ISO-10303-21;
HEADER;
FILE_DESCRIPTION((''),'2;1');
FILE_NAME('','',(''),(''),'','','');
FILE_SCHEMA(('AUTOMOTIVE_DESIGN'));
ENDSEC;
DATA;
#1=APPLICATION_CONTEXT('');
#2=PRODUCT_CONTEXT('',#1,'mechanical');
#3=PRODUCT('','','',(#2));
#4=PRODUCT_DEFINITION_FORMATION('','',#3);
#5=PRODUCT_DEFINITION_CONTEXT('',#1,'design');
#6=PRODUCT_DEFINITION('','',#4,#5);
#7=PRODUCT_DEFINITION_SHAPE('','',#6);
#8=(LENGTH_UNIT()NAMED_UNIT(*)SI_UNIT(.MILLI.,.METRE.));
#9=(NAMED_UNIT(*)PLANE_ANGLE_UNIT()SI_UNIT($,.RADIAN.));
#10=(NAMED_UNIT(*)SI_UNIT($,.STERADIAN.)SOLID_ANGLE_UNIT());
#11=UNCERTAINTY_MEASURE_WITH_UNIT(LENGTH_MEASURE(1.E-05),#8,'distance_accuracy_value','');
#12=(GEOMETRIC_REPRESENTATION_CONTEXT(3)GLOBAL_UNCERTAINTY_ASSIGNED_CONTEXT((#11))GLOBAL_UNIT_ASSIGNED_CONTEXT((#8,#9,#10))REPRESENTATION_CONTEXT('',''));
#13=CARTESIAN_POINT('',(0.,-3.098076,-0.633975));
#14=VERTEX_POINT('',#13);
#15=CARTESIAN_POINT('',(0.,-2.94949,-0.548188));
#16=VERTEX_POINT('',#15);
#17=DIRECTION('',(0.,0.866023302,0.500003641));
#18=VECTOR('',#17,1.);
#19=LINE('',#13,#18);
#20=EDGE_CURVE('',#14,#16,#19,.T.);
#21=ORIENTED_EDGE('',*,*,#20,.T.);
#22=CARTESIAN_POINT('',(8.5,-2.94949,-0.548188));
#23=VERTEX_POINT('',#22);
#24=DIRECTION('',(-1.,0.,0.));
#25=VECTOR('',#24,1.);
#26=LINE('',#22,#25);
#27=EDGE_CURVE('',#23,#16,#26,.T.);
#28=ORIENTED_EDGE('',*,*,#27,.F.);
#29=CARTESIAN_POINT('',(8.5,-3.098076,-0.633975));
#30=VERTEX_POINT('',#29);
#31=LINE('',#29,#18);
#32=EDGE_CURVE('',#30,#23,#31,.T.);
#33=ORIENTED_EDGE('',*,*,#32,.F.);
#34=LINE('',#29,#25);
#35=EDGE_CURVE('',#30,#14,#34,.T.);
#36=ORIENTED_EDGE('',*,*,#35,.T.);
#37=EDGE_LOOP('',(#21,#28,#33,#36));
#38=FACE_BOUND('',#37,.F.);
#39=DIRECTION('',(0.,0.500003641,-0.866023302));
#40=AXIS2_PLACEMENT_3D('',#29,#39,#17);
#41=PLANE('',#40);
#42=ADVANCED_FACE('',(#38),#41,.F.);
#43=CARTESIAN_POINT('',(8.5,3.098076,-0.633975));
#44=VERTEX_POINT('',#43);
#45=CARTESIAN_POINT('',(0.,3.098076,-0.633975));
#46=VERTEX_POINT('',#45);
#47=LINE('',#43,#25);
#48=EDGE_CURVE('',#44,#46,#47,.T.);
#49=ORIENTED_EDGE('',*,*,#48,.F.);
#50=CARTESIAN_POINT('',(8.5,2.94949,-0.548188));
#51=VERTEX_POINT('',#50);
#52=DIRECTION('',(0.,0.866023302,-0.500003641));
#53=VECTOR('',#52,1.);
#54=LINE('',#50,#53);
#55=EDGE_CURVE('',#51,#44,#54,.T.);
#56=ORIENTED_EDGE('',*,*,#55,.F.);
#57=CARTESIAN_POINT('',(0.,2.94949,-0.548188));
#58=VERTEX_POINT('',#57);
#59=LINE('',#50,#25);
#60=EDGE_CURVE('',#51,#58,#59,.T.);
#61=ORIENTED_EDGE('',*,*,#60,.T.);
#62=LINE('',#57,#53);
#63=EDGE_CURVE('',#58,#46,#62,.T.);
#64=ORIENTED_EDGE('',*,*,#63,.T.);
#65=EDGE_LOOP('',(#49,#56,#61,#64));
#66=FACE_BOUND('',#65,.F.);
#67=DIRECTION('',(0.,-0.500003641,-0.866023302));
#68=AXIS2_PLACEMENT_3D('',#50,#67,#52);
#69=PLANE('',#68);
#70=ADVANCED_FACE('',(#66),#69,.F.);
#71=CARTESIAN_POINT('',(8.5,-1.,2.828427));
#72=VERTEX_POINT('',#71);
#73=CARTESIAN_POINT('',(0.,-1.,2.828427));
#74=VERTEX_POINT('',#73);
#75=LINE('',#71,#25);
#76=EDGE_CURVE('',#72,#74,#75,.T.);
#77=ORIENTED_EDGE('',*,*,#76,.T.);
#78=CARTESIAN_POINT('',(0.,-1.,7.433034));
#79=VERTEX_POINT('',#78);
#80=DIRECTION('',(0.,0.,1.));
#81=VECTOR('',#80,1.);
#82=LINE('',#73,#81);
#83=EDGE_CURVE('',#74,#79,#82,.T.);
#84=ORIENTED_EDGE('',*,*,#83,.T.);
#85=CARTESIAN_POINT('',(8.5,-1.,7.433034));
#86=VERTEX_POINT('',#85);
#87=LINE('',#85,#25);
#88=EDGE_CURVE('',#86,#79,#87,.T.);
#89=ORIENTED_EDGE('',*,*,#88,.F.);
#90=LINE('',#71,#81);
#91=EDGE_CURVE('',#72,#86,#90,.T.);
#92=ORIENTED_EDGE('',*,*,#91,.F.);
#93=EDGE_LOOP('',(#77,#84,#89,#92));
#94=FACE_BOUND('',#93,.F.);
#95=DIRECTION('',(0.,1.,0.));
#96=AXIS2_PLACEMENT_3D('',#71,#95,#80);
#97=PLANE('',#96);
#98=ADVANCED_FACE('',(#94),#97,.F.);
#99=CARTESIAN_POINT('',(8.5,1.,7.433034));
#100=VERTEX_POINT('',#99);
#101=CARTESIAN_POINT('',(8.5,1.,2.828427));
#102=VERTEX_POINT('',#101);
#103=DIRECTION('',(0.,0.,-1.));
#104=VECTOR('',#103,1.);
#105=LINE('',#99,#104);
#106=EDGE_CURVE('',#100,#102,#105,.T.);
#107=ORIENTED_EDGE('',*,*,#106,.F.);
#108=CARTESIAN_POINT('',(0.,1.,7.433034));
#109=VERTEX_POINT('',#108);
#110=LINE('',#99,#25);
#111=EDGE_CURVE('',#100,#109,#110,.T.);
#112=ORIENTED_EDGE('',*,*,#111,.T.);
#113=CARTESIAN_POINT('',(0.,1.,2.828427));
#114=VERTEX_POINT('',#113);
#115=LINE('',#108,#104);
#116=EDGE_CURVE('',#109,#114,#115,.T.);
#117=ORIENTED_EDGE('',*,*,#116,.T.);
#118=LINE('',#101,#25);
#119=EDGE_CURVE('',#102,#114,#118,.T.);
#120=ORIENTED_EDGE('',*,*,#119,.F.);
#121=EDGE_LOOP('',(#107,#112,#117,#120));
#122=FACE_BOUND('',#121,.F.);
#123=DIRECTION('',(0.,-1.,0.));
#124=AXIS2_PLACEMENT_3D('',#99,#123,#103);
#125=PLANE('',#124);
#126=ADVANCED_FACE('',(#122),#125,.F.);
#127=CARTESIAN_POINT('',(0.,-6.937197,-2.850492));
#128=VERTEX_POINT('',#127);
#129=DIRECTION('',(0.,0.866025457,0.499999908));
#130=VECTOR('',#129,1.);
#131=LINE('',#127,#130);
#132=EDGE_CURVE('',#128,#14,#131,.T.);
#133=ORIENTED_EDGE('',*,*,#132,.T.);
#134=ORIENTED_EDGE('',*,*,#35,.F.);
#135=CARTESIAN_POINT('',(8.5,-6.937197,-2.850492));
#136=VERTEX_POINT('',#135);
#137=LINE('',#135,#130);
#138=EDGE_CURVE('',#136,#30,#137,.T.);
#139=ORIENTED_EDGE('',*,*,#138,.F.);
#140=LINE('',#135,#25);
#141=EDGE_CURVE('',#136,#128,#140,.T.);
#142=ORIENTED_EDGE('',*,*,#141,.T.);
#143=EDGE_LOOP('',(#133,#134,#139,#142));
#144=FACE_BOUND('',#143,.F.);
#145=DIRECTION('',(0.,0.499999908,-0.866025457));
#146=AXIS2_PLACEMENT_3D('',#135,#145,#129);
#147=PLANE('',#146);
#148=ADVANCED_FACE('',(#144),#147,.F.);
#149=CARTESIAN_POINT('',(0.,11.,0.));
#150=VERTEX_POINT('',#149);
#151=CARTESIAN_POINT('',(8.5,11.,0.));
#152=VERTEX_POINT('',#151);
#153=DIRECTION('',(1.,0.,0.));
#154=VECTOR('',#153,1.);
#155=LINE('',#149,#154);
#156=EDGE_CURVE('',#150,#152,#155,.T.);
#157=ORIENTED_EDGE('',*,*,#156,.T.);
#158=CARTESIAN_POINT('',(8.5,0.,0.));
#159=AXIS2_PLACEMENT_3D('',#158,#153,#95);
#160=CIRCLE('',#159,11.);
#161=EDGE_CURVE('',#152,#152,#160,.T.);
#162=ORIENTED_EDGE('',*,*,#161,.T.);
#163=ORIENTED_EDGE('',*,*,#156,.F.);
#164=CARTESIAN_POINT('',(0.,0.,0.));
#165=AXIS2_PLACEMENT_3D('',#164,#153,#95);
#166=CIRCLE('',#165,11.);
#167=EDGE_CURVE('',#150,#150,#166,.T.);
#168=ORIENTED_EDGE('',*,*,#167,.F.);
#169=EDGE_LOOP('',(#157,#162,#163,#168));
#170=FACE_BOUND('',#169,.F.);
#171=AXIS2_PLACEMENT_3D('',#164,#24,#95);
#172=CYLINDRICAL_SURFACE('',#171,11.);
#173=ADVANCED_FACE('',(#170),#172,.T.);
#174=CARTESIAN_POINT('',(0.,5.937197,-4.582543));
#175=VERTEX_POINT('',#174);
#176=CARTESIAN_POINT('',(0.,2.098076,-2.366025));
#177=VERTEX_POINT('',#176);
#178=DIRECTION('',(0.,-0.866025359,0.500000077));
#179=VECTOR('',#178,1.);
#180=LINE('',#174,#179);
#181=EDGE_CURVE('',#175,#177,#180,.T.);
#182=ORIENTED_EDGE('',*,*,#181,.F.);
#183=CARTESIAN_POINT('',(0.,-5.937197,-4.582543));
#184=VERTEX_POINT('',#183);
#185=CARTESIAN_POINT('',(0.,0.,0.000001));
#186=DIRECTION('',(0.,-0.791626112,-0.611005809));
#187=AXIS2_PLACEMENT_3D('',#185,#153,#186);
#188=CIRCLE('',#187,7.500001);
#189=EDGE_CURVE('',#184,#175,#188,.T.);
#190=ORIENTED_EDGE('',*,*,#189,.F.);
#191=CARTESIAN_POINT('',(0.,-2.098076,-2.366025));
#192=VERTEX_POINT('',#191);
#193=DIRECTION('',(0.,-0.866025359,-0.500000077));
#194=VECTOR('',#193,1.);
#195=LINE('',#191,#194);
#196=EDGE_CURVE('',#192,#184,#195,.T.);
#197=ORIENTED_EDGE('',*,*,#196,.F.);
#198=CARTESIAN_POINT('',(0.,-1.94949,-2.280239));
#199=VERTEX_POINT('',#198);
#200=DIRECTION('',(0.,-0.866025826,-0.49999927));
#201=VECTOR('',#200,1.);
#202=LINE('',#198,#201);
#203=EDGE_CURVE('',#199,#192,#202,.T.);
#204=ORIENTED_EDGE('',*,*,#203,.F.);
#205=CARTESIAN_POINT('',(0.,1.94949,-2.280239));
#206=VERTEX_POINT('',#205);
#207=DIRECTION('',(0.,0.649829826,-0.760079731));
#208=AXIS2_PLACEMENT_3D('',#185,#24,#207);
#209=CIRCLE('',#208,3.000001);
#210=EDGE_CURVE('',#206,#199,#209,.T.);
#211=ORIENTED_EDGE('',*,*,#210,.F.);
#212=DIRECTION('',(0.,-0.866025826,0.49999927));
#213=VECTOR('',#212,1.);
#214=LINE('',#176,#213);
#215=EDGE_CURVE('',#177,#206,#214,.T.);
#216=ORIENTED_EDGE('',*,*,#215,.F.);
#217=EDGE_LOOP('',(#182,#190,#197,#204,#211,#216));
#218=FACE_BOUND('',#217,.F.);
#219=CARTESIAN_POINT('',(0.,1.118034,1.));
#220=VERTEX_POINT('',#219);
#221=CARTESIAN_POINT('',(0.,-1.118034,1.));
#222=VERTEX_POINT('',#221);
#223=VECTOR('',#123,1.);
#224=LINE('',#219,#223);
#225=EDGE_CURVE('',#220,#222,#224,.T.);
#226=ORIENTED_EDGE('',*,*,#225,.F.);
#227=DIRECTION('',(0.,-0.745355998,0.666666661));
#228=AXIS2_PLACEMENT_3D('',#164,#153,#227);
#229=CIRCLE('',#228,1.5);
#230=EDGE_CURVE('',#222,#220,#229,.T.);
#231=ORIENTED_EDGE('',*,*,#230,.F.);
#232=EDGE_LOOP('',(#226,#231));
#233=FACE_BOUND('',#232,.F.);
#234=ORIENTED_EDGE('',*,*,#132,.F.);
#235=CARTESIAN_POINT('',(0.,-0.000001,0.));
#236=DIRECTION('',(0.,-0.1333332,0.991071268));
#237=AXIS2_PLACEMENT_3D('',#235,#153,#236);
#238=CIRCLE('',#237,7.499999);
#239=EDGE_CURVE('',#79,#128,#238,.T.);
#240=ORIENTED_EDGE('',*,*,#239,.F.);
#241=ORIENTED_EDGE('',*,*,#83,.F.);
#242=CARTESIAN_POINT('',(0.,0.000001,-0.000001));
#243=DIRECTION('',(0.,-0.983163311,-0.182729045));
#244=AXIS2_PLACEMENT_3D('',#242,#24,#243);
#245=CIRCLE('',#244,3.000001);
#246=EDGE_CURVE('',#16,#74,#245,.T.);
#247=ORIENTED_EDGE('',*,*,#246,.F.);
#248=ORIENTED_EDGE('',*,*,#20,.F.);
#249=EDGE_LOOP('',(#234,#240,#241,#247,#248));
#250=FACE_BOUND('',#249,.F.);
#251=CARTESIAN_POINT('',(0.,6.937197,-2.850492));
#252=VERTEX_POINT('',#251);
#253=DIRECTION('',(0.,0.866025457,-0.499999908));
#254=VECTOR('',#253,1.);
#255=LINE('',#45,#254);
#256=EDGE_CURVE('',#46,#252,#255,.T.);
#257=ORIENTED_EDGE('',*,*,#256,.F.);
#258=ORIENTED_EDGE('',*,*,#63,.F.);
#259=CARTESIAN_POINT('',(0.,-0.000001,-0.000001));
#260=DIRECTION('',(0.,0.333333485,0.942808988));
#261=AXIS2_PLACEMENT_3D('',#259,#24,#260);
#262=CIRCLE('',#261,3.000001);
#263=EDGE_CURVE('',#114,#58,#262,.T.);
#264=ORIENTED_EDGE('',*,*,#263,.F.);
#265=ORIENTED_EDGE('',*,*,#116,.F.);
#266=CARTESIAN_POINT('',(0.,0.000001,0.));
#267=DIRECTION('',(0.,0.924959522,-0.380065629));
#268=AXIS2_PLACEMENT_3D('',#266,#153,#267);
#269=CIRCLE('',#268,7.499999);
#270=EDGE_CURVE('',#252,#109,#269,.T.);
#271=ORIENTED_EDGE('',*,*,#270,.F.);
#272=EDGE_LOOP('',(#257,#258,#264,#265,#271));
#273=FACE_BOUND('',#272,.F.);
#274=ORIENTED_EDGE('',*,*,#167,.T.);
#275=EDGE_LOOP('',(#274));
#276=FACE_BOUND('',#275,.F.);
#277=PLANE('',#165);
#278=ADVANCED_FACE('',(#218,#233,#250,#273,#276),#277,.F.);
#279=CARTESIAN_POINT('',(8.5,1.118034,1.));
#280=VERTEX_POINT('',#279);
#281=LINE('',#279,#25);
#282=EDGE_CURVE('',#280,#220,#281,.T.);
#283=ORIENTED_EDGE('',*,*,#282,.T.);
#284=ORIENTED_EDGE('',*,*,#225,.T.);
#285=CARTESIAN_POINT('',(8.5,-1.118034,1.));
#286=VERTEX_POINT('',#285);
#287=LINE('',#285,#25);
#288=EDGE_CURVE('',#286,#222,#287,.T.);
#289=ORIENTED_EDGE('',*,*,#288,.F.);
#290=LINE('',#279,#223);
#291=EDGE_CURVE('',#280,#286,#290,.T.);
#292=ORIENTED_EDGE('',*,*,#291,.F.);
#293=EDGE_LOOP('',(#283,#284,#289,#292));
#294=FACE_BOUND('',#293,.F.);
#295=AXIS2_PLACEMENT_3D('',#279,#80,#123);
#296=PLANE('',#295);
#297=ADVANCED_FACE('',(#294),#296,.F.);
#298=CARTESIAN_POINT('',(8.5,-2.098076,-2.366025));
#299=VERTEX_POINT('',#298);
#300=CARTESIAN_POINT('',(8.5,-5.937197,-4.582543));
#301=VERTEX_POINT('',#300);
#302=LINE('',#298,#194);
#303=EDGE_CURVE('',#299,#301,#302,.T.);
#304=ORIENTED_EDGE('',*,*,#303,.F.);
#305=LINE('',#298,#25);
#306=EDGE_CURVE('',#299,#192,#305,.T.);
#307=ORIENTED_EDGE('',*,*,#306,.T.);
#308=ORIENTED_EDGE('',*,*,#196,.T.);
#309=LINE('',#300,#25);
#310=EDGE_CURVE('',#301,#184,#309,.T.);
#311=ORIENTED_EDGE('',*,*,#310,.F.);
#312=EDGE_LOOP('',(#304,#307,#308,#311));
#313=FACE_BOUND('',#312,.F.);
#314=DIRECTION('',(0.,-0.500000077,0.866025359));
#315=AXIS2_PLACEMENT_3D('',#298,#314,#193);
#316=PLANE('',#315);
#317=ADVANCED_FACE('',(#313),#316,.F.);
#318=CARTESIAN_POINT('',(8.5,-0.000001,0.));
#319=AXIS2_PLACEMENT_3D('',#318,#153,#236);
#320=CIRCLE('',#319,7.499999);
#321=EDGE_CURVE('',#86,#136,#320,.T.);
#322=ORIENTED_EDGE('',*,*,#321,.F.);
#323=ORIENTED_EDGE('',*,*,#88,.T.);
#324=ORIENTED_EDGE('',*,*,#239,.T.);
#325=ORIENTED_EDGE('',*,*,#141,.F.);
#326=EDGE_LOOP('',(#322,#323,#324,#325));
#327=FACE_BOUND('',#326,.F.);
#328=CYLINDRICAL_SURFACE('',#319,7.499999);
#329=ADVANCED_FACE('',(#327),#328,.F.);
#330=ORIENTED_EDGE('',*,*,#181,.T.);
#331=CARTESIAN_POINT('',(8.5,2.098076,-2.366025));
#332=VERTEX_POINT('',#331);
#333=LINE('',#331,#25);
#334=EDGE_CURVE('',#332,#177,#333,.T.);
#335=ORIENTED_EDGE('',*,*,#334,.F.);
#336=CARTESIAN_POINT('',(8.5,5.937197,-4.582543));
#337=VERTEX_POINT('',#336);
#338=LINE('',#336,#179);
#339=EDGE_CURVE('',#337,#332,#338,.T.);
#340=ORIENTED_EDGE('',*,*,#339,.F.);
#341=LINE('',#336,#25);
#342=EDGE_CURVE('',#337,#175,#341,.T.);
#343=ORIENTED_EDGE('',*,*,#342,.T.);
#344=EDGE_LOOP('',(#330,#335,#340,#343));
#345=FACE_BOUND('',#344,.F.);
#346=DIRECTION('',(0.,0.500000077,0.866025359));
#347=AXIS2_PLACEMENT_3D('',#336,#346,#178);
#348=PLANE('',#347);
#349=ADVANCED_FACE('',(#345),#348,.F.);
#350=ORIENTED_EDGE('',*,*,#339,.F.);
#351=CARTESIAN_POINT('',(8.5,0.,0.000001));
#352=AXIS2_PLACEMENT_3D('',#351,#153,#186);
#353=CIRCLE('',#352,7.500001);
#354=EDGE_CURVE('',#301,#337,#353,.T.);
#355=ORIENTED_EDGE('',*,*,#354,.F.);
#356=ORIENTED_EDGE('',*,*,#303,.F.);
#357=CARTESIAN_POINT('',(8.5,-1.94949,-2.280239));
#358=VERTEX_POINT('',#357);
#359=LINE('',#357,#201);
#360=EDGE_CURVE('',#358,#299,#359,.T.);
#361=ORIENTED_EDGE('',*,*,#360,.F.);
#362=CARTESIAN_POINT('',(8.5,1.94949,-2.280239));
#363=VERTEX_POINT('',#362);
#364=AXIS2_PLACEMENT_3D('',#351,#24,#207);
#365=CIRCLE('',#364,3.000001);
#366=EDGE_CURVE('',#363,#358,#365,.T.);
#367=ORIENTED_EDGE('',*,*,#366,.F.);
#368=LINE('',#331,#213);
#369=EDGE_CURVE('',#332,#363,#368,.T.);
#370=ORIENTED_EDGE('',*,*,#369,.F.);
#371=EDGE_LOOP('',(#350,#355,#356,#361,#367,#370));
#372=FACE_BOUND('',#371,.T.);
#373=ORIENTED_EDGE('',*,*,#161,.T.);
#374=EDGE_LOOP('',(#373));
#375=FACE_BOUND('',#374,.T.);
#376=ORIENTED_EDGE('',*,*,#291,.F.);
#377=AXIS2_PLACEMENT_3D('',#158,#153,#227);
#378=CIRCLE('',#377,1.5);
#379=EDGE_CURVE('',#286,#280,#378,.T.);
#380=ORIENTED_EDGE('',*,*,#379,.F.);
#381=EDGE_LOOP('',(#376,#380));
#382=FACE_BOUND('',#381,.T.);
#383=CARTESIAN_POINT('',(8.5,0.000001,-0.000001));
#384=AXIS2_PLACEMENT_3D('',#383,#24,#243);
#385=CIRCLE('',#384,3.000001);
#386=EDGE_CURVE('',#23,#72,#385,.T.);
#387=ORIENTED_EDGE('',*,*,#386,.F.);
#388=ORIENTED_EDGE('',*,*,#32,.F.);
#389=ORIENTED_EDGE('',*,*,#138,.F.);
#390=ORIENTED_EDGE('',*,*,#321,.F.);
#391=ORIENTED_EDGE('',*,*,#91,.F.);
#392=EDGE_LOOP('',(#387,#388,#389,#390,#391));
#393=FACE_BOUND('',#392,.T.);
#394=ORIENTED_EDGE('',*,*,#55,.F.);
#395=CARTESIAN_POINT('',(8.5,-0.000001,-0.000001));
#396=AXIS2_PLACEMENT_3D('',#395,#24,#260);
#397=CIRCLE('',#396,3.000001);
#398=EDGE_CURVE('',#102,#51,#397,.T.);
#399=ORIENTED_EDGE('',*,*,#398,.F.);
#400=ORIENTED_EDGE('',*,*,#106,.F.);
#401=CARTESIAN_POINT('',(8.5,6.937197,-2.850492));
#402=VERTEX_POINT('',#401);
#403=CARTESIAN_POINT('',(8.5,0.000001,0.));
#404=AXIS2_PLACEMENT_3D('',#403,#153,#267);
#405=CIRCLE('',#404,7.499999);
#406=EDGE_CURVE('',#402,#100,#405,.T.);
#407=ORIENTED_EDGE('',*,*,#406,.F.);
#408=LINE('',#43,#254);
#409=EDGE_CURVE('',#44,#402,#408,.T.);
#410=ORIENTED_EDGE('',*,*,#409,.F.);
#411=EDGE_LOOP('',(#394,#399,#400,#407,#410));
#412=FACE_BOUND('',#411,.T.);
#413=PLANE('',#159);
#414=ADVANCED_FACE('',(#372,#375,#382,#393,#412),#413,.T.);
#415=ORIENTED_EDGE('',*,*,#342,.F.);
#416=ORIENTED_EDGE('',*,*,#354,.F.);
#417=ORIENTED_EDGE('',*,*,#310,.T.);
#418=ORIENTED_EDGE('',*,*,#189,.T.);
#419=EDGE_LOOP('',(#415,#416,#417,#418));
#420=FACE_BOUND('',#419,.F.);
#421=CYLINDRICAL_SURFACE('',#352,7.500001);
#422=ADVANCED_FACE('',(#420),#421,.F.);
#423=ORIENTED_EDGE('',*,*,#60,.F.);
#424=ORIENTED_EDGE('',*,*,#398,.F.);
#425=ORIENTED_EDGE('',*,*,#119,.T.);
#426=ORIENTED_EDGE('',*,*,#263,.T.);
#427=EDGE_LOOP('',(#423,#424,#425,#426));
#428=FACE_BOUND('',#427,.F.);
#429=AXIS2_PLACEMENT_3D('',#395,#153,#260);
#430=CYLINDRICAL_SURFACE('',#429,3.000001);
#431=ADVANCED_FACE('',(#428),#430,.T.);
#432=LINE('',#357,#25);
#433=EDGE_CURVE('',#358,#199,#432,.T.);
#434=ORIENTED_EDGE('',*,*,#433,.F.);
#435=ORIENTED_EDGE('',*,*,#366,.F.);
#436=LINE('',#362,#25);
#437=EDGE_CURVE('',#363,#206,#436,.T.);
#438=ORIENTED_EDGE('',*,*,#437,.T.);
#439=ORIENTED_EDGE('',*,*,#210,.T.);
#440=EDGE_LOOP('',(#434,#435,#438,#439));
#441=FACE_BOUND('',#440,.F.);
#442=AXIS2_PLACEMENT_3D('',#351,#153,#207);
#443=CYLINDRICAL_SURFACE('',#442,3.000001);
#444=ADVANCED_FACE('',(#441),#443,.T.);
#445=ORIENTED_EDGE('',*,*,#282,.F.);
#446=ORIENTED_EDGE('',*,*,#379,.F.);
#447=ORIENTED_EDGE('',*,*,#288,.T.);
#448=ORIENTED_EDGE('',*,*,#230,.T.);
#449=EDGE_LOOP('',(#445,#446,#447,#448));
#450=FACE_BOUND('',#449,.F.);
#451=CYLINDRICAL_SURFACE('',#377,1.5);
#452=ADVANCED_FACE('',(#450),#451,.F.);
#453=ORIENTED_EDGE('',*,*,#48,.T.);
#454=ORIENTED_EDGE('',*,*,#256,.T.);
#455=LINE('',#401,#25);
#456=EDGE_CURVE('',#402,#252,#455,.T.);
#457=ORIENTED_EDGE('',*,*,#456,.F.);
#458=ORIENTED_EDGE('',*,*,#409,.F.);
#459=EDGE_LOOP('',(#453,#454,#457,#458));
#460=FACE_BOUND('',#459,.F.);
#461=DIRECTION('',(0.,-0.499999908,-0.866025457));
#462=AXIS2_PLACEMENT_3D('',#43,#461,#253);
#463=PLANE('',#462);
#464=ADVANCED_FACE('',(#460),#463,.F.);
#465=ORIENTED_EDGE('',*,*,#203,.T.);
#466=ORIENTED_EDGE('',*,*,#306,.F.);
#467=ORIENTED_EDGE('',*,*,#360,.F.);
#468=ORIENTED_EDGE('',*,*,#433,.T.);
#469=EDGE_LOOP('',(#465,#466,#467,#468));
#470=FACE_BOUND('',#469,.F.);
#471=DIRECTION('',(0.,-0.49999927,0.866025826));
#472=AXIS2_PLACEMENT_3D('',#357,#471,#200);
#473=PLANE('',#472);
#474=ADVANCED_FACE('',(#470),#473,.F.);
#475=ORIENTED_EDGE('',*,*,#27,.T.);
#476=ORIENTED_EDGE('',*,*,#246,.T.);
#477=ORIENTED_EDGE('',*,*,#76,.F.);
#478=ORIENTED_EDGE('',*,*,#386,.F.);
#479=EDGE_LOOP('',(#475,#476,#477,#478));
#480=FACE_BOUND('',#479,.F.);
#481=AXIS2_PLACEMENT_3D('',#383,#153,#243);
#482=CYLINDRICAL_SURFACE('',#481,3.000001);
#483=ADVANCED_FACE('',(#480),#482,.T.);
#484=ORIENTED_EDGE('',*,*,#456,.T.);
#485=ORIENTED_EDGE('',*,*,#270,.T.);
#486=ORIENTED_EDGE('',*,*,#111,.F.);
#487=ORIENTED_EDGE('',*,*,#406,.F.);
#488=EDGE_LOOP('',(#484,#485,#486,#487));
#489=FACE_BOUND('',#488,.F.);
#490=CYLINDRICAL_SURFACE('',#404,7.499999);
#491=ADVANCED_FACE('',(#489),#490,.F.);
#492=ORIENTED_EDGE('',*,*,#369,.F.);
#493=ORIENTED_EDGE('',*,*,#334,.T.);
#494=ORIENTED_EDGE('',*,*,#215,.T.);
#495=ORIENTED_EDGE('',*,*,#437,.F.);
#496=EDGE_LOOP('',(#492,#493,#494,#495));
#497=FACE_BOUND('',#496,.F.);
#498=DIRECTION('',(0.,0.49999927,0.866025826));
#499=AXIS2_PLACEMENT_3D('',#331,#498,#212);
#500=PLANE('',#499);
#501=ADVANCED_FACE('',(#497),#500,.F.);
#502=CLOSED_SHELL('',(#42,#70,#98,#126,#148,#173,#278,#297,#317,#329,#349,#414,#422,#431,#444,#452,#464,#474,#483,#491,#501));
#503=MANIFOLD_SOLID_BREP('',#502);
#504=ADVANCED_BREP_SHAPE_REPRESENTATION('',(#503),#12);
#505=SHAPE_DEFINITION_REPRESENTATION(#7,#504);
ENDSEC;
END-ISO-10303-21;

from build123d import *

# Parameters (mm, degrees)
F0_R     = 11
F1_DEPTH = 8.5
F3_DEPTH = 8.5
F5_DEPTH = 8.5


with BuildPart() as f1:
    # F0 (on Right) → F1 (new body)
    with BuildSketch(Plane.YZ):
        Circle(F0_R)
    extrude(amount=F1_DEPTH)

    # F2 (on face) → F3 (cut, through all)
    with BuildSketch(Plane.YZ.offset(8.5)):
        with BuildLine():
            Line((-1, 3), (-1, 7.433034))
            ThreePointArc((-1, 7.433034), (-6.495191, 3.75), (-6.937197, -2.850492))
            Line((-6.937197, -2.850492), (-3.098076, -0.633975))
            Line((-3.098076, -0.633975), (-2.94949, -0.548188))
            ThreePointArc((-2.94949, -0.548188), (-2.598076, 1.5), (-1, 2.828427))
            Line((-1, 2.828427), (-1, 3))
        make_face()
        with BuildLine():
            Line((1, 3.171573), (1, 3))
            Line((1, 3), (1, 2.828427))
            ThreePointArc((1, 2.828427), (2.598076, 1.5), (2.94949, -0.548188))
            Line((2.94949, -0.548188), (3.098076, -0.633975))
            Line((3.098076, -0.633975), (6.937197, -2.850492))
            ThreePointArc((6.937197, -2.850492), (6.495191, 3.75), (1, 7.433034))
            Line((1, 7.433034), (1, 3.171573))
        make_face()
        with BuildLine():
            Line((-1.94949, -2.280239), (-2.098076, -2.366025))
            Line((-2.098076, -2.366025), (-5.937197, -4.582543))
            ThreePointArc((-5.937197, -4.582543), (0, -7.5), (5.937197, -4.582543))
            Line((5.937197, -4.582543), (2.098076, -2.366025))
            Line((2.098076, -2.366025), (1.94949, -2.280239))
            ThreePointArc((1.94949, -2.280239), (0, -3), (-1.94949, -2.280239))
        make_face()
    extrude(amount=-F3_DEPTH, mode=Mode.SUBTRACT)

    # F4 (on face) → F5 (cut, through all)
    with BuildSketch(Plane.YZ.offset(8.5)):
        with BuildLine():
            Line((1.118034, 1), (-1.118034, 1))
            ThreePointArc((-1.118034, 1), (0, -1.5), (1.118034, 1))
        make_face()
    extrude(amount=-F5_DEPTH, mode=Mode.SUBTRACT)


solid = f1.part
